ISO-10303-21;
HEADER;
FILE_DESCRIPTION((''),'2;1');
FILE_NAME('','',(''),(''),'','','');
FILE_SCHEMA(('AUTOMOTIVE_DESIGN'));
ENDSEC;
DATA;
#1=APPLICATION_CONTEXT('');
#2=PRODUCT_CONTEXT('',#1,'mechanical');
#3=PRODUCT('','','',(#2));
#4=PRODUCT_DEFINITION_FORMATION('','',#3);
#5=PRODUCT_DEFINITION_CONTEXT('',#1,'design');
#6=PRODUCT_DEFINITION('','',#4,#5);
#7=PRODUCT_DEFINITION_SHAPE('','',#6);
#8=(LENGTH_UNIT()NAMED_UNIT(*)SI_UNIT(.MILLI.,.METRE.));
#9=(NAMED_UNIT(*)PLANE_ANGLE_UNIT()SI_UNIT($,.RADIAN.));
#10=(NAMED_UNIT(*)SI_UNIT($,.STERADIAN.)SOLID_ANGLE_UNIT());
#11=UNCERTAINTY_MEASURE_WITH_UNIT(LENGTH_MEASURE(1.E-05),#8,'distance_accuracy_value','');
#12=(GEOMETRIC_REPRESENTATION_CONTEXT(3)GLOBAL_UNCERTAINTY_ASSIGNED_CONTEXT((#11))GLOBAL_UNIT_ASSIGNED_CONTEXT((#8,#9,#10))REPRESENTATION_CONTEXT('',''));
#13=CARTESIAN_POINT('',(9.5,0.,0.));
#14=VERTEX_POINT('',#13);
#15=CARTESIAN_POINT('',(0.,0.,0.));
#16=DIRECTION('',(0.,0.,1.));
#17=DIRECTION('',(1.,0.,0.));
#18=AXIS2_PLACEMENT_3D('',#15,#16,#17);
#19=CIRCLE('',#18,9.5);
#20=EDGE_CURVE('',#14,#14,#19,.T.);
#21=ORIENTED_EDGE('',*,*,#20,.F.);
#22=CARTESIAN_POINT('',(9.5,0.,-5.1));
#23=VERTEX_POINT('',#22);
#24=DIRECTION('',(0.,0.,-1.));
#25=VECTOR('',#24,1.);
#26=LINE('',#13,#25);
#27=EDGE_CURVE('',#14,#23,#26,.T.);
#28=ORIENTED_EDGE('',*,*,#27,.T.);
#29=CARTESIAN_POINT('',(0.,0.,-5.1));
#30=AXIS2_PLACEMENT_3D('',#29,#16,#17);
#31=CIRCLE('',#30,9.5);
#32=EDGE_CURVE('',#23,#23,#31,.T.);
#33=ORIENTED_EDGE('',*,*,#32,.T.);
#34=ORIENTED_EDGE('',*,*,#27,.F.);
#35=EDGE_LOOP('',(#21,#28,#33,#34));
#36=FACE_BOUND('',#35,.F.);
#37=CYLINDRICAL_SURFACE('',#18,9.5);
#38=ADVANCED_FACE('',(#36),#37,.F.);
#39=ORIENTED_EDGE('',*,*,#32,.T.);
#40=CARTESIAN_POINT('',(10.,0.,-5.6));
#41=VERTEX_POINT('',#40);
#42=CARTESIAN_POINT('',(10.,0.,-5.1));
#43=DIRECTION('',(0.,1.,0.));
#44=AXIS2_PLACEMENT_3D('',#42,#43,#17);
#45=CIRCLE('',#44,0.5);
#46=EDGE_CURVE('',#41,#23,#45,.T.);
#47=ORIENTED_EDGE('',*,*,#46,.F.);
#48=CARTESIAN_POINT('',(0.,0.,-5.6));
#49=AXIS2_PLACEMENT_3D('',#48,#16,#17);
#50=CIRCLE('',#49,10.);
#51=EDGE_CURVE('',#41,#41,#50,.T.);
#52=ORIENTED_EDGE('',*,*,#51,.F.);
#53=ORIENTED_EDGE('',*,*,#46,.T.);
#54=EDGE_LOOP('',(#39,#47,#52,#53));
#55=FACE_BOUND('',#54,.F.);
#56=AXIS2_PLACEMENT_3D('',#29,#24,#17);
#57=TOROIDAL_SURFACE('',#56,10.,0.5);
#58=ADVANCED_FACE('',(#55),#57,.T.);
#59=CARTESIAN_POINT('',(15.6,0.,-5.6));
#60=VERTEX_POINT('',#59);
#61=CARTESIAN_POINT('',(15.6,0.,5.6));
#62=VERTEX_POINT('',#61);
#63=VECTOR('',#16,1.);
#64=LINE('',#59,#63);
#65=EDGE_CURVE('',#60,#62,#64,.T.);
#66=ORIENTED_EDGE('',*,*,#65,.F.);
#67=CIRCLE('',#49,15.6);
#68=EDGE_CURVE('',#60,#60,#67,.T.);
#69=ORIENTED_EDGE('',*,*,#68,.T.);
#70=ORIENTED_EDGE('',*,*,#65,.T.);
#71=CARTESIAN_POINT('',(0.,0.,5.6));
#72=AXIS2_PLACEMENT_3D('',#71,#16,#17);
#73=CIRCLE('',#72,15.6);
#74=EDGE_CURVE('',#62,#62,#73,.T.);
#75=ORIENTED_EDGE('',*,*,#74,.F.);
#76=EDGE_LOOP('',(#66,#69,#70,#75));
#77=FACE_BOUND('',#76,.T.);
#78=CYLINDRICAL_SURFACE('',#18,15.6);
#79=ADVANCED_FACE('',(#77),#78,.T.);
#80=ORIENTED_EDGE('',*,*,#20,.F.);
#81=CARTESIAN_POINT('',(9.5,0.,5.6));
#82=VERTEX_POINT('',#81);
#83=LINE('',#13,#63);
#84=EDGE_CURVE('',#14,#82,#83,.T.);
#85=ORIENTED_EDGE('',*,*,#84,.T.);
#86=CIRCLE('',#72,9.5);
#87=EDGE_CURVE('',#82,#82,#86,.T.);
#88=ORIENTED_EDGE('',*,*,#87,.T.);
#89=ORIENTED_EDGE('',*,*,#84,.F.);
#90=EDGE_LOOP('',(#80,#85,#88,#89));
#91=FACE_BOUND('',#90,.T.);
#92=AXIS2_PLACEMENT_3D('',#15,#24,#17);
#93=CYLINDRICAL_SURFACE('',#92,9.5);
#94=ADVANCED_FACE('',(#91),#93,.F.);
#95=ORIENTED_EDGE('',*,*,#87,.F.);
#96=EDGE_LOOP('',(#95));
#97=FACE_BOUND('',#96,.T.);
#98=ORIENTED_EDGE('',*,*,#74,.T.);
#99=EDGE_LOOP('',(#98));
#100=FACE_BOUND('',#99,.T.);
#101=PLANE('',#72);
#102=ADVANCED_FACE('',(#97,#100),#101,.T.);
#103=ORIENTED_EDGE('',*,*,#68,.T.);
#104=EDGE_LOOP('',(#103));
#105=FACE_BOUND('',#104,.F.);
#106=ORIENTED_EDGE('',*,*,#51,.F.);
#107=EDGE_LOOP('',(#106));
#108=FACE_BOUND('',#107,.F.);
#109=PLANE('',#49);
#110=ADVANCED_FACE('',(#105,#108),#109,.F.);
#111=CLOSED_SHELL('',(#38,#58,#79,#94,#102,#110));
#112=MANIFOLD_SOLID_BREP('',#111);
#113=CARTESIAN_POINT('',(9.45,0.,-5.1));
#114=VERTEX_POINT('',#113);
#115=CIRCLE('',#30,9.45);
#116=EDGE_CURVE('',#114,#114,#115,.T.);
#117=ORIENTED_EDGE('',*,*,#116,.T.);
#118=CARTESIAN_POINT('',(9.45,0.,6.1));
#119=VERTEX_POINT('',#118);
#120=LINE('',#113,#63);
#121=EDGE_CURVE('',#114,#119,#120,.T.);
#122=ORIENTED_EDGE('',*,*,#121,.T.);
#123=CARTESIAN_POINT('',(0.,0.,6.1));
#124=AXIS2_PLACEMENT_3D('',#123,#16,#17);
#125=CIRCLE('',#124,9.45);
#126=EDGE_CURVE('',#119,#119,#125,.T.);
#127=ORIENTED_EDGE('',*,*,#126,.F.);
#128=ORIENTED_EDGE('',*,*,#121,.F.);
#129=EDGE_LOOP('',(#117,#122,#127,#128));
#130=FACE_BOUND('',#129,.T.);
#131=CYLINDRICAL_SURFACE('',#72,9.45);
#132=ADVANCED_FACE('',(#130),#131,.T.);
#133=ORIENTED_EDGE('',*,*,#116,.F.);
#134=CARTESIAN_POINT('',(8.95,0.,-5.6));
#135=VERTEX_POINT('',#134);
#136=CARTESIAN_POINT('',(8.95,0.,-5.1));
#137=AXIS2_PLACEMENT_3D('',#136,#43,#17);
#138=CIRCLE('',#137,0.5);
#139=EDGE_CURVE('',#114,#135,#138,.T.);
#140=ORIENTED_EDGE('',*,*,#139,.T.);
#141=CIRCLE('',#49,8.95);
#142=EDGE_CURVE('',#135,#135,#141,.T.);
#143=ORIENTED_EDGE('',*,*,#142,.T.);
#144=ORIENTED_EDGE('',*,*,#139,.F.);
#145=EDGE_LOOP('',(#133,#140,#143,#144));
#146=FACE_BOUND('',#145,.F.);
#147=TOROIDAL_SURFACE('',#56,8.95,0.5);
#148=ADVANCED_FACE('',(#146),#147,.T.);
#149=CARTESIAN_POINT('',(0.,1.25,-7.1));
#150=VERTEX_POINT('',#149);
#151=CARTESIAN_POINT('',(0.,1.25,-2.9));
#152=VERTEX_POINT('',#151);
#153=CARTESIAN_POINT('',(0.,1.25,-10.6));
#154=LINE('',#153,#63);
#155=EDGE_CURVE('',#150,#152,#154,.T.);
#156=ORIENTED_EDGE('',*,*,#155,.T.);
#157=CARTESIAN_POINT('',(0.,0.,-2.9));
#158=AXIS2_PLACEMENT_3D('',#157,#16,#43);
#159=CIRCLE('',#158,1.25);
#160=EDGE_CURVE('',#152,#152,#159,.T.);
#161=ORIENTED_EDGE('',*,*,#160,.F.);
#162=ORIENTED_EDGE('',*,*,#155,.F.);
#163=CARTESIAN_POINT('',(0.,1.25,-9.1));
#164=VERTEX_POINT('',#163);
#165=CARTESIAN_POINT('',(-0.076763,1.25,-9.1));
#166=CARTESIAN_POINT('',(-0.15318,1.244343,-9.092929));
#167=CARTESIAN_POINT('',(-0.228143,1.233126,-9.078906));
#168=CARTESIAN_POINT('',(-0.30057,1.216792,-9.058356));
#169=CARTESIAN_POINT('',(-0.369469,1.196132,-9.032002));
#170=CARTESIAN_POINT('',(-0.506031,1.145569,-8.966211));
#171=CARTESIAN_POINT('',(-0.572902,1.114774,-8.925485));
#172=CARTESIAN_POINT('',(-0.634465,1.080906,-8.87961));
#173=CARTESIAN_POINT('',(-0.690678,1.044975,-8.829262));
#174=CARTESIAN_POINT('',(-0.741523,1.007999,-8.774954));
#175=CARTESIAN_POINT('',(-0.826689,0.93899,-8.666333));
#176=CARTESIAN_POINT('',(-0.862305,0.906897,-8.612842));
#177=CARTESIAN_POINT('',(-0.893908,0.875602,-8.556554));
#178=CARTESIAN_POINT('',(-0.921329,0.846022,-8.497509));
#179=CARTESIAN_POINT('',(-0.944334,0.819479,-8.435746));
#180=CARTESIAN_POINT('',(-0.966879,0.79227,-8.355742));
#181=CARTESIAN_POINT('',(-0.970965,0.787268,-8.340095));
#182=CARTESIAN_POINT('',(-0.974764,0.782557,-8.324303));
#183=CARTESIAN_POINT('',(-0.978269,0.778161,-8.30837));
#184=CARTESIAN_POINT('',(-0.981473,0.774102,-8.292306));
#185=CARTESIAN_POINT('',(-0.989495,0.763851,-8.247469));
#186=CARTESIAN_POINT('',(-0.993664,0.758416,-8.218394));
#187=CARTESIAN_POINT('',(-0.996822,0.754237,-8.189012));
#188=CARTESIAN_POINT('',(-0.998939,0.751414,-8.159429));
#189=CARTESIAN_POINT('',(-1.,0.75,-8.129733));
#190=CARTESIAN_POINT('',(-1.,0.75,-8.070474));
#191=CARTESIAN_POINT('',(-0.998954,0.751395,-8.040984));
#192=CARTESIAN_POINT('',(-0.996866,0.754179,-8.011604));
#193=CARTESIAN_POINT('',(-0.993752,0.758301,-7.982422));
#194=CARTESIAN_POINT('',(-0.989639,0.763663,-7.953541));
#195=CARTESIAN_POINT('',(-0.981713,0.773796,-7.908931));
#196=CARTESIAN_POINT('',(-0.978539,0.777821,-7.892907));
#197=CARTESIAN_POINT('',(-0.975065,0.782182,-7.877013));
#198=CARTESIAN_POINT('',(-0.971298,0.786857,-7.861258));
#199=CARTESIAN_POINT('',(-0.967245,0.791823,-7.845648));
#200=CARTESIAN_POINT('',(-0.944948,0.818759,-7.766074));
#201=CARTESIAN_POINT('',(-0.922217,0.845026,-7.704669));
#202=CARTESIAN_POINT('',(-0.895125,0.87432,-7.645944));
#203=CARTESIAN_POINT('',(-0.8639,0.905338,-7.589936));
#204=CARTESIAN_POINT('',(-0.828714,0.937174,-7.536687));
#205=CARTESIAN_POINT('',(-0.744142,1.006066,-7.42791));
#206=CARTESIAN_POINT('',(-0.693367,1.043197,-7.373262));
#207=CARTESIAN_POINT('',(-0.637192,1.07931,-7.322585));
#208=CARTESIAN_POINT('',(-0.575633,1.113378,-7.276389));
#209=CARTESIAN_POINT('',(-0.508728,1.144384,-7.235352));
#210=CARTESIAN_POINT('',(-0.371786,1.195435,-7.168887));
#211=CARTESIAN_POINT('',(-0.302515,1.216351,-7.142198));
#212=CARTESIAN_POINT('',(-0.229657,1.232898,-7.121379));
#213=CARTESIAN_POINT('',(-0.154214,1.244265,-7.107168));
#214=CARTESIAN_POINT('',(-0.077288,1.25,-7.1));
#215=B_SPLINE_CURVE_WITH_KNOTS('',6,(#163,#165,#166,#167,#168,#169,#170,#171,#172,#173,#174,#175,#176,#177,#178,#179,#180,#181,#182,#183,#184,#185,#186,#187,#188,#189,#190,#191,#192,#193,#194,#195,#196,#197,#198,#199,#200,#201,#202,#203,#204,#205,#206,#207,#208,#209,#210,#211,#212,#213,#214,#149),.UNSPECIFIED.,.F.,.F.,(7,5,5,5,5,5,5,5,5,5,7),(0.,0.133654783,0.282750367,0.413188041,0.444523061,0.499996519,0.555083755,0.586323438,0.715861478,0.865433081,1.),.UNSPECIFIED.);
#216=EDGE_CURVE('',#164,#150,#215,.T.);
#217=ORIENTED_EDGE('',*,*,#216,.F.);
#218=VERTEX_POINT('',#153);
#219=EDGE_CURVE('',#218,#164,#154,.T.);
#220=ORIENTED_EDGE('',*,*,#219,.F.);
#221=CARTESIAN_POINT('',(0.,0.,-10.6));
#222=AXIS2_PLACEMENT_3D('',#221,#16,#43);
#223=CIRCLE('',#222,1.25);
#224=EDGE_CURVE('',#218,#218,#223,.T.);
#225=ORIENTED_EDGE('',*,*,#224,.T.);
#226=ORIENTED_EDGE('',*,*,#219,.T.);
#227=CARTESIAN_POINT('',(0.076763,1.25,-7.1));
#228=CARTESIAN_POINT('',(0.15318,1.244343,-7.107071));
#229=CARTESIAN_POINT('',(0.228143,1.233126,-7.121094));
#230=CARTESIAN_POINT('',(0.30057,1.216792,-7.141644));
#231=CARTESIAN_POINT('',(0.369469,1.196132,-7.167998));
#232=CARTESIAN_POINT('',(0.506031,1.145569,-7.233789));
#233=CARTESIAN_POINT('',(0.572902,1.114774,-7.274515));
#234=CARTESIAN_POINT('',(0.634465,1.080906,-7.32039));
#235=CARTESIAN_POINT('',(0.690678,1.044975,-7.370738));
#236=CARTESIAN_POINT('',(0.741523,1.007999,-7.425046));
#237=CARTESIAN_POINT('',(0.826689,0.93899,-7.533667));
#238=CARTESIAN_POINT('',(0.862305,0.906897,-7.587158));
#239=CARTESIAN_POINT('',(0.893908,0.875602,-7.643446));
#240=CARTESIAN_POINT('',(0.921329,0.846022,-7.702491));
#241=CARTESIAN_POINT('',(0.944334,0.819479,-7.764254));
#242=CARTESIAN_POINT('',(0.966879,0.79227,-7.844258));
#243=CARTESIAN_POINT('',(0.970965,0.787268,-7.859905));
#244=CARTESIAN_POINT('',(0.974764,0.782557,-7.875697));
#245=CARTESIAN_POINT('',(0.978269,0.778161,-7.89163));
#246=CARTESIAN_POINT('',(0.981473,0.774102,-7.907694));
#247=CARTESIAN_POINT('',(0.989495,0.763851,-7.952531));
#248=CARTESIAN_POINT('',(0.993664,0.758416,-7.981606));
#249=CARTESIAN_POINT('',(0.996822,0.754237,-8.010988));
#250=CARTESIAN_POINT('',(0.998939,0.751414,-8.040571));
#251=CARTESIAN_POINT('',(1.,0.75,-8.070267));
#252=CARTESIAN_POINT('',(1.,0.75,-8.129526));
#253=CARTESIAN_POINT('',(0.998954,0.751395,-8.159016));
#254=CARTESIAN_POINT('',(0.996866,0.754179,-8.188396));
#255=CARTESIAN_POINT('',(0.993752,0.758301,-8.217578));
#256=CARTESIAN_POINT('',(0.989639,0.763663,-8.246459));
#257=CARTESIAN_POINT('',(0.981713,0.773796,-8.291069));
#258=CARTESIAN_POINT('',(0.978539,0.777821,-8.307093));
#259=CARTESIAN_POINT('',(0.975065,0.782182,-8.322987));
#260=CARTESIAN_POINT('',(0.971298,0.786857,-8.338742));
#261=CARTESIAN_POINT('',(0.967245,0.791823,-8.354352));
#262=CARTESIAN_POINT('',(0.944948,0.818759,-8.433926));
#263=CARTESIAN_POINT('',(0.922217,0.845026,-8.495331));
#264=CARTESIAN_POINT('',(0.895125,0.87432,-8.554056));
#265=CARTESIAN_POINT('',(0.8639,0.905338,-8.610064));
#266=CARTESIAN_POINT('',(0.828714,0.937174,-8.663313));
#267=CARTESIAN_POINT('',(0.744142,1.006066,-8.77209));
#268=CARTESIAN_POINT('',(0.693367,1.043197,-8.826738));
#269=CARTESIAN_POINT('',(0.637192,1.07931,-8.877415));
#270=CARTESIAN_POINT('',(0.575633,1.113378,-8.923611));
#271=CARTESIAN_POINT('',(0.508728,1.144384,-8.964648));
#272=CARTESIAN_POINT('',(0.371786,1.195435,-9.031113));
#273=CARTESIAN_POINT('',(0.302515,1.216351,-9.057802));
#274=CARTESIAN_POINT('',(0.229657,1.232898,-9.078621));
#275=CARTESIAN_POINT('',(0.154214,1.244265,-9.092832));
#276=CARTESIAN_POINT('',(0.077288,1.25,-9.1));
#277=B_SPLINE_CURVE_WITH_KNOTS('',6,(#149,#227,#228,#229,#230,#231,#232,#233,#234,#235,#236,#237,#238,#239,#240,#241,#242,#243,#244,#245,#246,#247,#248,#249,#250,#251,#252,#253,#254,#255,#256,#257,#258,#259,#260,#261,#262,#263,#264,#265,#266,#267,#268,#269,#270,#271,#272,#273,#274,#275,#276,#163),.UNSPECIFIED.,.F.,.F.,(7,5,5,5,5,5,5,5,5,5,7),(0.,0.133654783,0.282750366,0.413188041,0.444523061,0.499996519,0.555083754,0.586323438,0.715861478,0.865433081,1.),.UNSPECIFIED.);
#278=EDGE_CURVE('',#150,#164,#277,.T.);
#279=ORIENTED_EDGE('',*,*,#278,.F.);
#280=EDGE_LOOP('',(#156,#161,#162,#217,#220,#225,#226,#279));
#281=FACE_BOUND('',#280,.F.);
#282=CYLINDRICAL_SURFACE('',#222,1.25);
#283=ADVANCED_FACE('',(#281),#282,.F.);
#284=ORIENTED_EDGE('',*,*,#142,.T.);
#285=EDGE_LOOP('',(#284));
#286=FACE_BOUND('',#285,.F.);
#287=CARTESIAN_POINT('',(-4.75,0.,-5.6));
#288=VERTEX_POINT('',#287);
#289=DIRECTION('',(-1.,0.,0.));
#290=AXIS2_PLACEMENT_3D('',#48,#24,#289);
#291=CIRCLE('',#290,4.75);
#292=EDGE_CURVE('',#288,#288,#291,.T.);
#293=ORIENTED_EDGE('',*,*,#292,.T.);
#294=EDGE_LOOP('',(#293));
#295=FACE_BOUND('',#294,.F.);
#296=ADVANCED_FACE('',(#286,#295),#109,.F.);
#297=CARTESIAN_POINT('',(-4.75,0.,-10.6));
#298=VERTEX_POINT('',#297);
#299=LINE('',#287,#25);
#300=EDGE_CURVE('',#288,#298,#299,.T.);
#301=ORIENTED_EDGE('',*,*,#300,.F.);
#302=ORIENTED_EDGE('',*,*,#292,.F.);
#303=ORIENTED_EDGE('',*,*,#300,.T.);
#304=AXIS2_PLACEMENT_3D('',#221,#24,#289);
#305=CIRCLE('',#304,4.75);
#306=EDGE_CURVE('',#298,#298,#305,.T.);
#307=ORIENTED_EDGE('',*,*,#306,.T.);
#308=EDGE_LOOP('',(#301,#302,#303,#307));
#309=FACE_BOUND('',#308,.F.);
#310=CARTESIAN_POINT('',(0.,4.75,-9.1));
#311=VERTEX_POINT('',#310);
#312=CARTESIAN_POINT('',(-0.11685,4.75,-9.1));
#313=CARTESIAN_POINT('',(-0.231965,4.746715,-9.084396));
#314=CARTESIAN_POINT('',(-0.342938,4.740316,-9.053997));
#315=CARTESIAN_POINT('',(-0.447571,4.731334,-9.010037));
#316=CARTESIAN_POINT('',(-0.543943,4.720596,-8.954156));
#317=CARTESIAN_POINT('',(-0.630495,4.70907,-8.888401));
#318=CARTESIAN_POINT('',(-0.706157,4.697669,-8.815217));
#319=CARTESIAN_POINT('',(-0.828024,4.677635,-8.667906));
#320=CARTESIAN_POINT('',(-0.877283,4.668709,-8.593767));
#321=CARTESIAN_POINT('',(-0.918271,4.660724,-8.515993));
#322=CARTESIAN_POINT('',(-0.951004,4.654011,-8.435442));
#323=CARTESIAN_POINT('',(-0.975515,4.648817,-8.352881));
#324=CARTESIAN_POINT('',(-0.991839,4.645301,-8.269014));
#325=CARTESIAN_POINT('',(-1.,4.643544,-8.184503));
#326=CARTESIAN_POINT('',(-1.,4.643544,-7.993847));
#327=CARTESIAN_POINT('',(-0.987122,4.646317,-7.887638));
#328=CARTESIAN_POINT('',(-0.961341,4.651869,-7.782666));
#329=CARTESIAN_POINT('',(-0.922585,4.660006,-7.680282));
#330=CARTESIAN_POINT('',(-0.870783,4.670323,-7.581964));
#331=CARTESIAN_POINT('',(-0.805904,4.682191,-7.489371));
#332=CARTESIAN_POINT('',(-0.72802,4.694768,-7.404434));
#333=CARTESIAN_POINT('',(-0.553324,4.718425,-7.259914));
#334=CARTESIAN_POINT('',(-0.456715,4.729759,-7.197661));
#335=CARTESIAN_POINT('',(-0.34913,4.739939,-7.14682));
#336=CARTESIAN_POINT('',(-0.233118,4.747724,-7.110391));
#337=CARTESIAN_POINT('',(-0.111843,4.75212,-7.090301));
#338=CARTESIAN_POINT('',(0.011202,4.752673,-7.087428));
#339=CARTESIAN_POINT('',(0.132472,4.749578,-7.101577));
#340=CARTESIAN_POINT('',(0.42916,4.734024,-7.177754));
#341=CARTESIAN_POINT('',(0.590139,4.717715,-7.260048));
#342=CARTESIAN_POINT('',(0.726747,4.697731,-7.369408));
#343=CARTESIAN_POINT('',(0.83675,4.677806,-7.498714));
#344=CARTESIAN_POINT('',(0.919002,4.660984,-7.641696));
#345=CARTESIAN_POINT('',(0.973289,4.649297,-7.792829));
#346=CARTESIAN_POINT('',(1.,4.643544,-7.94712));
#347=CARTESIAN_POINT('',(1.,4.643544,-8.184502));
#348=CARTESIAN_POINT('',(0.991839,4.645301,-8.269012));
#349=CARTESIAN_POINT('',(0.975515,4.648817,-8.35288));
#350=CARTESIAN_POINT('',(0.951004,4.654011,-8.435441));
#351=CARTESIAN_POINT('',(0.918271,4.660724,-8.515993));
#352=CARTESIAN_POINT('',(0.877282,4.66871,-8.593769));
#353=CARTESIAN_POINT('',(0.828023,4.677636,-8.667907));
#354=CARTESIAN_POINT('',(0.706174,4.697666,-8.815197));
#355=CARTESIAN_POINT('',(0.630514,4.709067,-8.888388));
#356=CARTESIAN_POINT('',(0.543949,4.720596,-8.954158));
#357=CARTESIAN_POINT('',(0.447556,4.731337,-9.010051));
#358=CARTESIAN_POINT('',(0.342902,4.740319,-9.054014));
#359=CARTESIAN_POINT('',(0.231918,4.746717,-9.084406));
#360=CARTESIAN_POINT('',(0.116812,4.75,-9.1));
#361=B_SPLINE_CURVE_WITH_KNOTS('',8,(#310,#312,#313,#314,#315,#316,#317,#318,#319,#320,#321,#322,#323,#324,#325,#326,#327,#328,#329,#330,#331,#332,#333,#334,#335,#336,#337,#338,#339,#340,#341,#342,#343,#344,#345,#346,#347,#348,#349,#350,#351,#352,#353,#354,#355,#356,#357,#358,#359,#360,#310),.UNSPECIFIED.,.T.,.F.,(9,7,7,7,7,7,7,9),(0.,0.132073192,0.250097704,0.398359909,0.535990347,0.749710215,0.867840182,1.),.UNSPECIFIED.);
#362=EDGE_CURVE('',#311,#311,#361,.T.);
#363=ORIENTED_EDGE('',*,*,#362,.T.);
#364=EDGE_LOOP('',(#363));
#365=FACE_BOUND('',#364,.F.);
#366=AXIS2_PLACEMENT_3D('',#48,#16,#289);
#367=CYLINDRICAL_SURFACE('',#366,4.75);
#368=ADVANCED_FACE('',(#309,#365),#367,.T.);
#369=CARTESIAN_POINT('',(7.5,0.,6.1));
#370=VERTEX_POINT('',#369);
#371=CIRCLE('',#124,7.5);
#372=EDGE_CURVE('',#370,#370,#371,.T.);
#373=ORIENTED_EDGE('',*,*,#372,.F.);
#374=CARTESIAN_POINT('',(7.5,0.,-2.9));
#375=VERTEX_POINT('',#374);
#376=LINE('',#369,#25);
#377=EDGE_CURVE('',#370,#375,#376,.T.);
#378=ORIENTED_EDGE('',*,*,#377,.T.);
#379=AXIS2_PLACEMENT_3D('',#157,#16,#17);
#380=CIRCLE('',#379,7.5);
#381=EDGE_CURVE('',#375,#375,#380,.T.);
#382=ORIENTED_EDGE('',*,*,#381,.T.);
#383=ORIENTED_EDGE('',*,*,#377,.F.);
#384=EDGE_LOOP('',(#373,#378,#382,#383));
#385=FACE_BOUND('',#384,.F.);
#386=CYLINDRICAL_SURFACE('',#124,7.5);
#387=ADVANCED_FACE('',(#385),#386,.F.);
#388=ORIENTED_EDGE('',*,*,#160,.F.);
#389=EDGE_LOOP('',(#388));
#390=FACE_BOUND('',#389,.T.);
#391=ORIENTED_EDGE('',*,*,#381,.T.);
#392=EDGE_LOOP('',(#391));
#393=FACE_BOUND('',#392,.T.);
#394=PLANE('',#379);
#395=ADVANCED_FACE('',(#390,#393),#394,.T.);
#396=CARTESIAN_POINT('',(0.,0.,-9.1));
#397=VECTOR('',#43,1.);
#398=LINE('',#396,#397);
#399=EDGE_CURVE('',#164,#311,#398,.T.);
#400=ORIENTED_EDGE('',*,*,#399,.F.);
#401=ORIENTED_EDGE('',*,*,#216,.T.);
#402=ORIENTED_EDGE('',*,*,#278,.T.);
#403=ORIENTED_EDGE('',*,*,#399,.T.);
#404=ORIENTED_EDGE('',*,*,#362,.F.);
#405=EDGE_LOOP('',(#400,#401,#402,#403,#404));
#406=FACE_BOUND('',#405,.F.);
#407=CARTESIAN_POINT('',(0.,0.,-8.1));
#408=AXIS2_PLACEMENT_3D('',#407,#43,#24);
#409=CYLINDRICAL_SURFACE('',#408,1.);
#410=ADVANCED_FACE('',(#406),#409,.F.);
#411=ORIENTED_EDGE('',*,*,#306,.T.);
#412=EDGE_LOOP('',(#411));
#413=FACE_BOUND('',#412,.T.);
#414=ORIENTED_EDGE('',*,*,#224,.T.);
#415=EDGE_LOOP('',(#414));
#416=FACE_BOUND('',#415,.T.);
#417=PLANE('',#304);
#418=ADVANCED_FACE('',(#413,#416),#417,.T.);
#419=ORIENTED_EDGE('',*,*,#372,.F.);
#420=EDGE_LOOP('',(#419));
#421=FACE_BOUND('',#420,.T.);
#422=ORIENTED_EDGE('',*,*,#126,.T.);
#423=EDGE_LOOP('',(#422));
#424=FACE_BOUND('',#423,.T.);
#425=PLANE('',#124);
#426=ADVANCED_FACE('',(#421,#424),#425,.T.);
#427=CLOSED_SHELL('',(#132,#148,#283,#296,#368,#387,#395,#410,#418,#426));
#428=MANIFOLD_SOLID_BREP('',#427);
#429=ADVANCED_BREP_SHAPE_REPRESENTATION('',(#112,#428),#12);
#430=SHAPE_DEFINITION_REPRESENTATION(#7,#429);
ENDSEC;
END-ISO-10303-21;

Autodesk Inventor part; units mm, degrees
ref_plane "YZ Plane" through (0, 0, 0) normal (1, 0, 0) x (0, 1, 0)
ref_plane "XZ Plane" through (0, 0, 0) normal (0, 1, 0) x (-1, 0, 0)
ref_plane "XY Plane" through (0, 0, 0) normal (0, 0, 1) x (1, 0, 0)
sketch "Skizze2" plane through (0, 0, 0) normal (0, 0, 1) x (1, 0, 0)
  circle A0 centre (0, 0) radius 9.5
  circle A1 centre (0, 0) radius 15.6
  dimension "d2" = 19
  dimension "d3" = 31.2
extrude "Extrusion1" add sketch "Skizze2" along normal mid plane 11.2
sketch "Skizze3" plane through (0, 0, 5.6) normal (0, 0, 1) x (1, 0, 0)
  circle A0 centre (0, 0) radius 9.45
  dimension "d6" = 18.9
extrude "Extrusion2" add sketch "Skizze3" along normal blind 0.5 and the other way blind 11.2
fillet "Rundung1" radius 0.5 1 edges at (-9.45, 0, -5.6)
fillet "Rundung2" radius 0.5 1 edges at (-9.5, 0, -5.6)
sketch "Skizze4" plane through (0, 0, 6.1) normal (0, 0, 1) x (1, 0, 0)
  circle A0 centre (0, 0) radius 7.5
  dimension "d13" = 15
extrude "Extrusion3" cut sketch "Skizze4" against normal blind 9
sketch "Skizze6" plane through (0, 0, -5.6) normal (0, 0, -1) x (-1, 0, 0)
  circle A0 centre (0, 0) radius 4.75
  dimension "d23" = 9.5
extrude "Extrusion4" add sketch "Skizze6" along normal blind 5
sketch "Skizze7" plane through (0, 0, -10.6) normal (0, 0, -1) x (-1, 0, 0)
  point P0 (0, 0)
  point P1 (0, 0)
  point P2 (0, 0)
hole "Bohrung2" at (0, 0, -10.6) direction (0, 0, 1) diameter 2.5 end through all
sketch "Skizze8" plane through (0, 0, 0) normal (0, 1, 0) x (-1, 0, 0)
  line L0 (0, 0) -> (0, -22.2603) construction
  line L1 (-4.75, -5.6) -> (-4.75, -10.6) projected
  line L2 (-4.75, -8.1) -> (11.4066, -8.1) construction
  point P0 (0, -8.1)
hole "Bohrung3" at (0, 0, -8.1) direction (0, 1, 0) diameter 2 depth 6.75 tip angle 118
thread "Gewinde1" size "M2x0.4" class "6H" standard "ANSI Metric M Profile" full length
properties part number "Antriebsrad_V1"
